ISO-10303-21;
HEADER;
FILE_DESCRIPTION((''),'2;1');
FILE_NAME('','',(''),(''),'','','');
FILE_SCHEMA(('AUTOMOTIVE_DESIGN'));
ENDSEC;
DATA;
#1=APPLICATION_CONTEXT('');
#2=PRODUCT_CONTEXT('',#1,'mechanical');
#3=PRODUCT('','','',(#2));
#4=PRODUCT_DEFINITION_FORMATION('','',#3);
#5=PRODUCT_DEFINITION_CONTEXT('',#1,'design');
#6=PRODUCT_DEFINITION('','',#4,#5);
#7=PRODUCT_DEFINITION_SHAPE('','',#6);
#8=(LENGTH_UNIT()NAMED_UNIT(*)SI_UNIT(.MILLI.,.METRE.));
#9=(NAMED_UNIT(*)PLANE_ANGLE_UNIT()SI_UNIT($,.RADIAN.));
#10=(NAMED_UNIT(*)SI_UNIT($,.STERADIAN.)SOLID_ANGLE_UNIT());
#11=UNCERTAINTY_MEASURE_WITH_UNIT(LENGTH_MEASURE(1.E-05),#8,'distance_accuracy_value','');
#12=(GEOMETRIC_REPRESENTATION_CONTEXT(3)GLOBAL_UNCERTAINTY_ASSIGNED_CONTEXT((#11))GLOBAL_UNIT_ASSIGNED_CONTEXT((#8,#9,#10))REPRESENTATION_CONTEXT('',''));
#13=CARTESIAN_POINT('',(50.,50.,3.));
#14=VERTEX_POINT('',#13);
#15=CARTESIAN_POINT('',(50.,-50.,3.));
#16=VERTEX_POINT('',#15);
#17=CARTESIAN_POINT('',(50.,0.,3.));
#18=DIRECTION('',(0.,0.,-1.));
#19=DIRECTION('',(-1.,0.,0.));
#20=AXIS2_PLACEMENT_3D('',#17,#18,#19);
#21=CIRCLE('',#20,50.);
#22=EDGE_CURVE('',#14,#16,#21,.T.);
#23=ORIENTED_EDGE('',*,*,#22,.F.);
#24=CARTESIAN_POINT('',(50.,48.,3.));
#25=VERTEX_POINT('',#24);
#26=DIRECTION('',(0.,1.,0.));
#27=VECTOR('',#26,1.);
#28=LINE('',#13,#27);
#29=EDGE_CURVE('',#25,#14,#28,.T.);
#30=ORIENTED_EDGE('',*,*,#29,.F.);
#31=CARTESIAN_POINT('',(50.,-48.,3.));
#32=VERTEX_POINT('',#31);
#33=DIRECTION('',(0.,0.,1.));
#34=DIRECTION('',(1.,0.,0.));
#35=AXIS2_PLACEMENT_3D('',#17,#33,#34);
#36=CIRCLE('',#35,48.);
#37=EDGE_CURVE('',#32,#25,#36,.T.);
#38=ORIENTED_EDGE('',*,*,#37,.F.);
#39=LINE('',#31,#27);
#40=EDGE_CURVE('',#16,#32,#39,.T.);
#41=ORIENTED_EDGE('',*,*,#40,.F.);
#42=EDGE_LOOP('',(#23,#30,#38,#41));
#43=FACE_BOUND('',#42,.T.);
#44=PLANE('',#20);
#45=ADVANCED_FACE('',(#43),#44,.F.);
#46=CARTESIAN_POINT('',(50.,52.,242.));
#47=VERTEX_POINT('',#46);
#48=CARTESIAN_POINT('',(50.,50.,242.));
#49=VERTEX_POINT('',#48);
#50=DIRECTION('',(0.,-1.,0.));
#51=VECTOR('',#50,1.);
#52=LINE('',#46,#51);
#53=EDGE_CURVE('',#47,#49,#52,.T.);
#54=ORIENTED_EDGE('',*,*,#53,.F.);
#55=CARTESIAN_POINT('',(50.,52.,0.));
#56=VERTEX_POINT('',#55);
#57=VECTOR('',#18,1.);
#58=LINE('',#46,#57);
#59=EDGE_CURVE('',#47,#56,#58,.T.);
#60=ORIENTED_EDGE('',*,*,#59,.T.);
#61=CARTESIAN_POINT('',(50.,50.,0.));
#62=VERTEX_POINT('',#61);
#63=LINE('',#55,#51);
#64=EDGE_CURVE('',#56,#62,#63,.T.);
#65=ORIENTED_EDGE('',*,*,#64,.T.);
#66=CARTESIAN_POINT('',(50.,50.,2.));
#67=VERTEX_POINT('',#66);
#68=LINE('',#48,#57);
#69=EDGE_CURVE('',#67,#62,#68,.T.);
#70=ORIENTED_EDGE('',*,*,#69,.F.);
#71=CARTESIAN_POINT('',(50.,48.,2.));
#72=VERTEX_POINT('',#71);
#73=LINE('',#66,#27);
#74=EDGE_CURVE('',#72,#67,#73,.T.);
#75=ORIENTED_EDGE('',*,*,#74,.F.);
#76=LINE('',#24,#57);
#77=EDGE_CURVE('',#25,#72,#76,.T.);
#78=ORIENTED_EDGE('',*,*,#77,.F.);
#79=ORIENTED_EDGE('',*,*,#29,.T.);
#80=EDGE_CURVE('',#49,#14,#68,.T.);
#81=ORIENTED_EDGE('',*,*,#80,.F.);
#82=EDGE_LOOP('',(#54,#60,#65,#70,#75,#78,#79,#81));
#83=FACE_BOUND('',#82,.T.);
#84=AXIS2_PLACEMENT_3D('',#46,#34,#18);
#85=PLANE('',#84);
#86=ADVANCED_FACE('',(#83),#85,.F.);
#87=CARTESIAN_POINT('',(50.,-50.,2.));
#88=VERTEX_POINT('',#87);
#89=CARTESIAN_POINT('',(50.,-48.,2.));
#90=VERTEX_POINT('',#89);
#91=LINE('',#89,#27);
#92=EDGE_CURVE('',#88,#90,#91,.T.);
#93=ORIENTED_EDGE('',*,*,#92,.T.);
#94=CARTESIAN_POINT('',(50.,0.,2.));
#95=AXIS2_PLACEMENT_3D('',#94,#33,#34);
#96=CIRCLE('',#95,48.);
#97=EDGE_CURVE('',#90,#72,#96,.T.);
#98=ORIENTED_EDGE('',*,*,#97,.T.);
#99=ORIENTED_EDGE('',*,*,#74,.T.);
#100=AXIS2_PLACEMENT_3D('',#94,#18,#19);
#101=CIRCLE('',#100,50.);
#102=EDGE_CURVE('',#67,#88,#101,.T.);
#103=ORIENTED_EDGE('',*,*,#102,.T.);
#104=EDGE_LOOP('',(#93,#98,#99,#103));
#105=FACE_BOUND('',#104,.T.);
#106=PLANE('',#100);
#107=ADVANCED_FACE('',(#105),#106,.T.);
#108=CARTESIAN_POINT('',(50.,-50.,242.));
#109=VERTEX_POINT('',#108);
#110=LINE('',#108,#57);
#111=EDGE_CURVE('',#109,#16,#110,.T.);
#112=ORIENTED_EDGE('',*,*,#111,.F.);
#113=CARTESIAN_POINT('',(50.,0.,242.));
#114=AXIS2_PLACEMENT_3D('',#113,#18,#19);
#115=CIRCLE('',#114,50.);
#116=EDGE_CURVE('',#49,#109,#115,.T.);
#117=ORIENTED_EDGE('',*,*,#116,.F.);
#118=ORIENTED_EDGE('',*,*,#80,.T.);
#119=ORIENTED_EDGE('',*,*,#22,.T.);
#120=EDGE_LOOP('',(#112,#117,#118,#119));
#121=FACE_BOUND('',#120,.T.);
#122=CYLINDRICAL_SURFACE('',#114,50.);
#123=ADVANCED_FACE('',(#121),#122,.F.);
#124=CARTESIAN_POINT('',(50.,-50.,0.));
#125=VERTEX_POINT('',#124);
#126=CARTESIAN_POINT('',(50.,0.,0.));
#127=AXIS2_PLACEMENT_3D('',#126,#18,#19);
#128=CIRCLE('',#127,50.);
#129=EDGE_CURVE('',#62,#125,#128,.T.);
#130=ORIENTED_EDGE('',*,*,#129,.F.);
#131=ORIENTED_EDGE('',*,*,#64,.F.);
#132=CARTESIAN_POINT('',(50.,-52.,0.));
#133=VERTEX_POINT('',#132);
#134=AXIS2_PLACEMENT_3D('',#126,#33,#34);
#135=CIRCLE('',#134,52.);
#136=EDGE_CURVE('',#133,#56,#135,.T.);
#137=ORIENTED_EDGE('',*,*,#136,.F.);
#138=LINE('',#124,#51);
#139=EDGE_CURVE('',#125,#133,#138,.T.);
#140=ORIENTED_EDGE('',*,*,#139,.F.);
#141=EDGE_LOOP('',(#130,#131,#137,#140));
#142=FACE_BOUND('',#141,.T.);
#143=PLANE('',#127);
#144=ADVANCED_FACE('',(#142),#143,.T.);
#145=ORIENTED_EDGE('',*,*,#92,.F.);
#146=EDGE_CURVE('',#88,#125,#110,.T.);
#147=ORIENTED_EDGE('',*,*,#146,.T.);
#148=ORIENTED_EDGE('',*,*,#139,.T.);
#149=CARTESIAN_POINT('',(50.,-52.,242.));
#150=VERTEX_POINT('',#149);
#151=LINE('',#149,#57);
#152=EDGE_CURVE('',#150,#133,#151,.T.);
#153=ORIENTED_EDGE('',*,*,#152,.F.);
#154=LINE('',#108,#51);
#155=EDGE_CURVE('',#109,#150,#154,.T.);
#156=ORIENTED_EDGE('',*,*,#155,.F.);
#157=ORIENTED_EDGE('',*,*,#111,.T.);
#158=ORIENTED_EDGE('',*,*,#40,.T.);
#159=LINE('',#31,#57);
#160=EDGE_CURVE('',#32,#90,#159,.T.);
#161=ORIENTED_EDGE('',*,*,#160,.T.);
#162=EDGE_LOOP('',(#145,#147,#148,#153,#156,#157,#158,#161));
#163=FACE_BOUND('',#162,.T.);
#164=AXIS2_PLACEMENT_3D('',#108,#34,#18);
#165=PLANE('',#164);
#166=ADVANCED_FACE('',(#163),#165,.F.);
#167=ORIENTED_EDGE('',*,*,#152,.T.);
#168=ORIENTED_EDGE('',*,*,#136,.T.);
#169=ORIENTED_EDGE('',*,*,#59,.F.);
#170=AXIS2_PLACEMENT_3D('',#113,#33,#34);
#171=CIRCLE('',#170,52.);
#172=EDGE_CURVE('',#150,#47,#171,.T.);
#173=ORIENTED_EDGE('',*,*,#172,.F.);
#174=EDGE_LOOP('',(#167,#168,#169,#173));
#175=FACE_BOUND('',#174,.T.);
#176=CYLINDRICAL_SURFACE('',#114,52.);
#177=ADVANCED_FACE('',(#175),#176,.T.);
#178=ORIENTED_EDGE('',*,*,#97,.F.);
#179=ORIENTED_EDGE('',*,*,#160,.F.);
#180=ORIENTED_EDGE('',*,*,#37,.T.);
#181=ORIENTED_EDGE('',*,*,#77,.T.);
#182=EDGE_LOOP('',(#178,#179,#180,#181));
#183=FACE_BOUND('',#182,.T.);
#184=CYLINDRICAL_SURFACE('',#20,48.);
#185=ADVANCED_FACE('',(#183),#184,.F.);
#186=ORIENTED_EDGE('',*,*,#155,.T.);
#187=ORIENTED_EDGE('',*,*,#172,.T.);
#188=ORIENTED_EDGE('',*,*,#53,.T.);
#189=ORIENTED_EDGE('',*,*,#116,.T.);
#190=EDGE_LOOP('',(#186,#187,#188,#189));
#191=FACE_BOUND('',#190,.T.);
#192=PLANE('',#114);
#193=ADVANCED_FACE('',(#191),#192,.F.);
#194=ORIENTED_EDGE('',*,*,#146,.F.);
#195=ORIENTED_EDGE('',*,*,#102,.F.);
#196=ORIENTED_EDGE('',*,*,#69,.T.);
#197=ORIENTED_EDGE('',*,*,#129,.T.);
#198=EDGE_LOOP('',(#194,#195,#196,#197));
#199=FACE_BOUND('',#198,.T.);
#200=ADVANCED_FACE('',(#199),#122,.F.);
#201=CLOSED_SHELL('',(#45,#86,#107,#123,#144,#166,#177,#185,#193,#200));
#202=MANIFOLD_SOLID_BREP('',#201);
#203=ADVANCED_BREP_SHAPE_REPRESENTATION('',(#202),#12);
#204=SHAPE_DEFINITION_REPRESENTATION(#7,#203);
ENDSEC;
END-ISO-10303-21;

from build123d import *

# Parameters (mm, degrees)
EXTRUDE_1_DEPTH = 242
EXTRUDE_3_DEPTH = 1


with BuildPart() as part:
    # 草图1 → 凸台-拉伸1 (new body)
    with BuildSketch(Plane.XY):
        with BuildLine():
            Line((50, 52), (50, 50))
            ThreePointArc((50, 50), (62.940952255, 48.296291314), (75, 43.301270189))
            ThreePointArc((75, 43.301270189), (93.301270189, 25), (100, 0))
            ThreePointArc((100, 0), (93.301270189, -25), (75, -43.301270189))
            ThreePointArc((75, -43.301270189), (62.940952255, -48.296291314), (50, -50))
            Line((50, -50), (50, -52))
            ThreePointArc((50, -52), (63.458590345, -50.228142967), (76, -45.033320997))
            ThreePointArc((76, -45.033320997), (95.033320997, -26), (102, 0))
            ThreePointArc((102, 0), (95.033320997, 26), (76, 45.033320997))
            ThreePointArc((76, 45.033320997), (63.458590345, 50.228142967), (50, 52))
        make_face()
    extrude(amount=EXTRUDE_1_DEPTH)

    # 草图4 → 凸台-拉伸3 (add)
    with BuildSketch(Plane(origin=(0, 0, 2), x_dir=(-1, 0, 0), z_dir=(0, 0, -1))):
        with BuildLine():
            Line((-50, 50), (-50, 48))
            ThreePointArc((-50, 48), (-98, 0), (-50, -48))
            Line((-50, -48), (-50, -50))
            ThreePointArc((-50, -50), (-100, 0), (-50, 50))
        make_face()
    extrude(amount=-EXTRUDE_3_DEPTH)


solid = part.part
